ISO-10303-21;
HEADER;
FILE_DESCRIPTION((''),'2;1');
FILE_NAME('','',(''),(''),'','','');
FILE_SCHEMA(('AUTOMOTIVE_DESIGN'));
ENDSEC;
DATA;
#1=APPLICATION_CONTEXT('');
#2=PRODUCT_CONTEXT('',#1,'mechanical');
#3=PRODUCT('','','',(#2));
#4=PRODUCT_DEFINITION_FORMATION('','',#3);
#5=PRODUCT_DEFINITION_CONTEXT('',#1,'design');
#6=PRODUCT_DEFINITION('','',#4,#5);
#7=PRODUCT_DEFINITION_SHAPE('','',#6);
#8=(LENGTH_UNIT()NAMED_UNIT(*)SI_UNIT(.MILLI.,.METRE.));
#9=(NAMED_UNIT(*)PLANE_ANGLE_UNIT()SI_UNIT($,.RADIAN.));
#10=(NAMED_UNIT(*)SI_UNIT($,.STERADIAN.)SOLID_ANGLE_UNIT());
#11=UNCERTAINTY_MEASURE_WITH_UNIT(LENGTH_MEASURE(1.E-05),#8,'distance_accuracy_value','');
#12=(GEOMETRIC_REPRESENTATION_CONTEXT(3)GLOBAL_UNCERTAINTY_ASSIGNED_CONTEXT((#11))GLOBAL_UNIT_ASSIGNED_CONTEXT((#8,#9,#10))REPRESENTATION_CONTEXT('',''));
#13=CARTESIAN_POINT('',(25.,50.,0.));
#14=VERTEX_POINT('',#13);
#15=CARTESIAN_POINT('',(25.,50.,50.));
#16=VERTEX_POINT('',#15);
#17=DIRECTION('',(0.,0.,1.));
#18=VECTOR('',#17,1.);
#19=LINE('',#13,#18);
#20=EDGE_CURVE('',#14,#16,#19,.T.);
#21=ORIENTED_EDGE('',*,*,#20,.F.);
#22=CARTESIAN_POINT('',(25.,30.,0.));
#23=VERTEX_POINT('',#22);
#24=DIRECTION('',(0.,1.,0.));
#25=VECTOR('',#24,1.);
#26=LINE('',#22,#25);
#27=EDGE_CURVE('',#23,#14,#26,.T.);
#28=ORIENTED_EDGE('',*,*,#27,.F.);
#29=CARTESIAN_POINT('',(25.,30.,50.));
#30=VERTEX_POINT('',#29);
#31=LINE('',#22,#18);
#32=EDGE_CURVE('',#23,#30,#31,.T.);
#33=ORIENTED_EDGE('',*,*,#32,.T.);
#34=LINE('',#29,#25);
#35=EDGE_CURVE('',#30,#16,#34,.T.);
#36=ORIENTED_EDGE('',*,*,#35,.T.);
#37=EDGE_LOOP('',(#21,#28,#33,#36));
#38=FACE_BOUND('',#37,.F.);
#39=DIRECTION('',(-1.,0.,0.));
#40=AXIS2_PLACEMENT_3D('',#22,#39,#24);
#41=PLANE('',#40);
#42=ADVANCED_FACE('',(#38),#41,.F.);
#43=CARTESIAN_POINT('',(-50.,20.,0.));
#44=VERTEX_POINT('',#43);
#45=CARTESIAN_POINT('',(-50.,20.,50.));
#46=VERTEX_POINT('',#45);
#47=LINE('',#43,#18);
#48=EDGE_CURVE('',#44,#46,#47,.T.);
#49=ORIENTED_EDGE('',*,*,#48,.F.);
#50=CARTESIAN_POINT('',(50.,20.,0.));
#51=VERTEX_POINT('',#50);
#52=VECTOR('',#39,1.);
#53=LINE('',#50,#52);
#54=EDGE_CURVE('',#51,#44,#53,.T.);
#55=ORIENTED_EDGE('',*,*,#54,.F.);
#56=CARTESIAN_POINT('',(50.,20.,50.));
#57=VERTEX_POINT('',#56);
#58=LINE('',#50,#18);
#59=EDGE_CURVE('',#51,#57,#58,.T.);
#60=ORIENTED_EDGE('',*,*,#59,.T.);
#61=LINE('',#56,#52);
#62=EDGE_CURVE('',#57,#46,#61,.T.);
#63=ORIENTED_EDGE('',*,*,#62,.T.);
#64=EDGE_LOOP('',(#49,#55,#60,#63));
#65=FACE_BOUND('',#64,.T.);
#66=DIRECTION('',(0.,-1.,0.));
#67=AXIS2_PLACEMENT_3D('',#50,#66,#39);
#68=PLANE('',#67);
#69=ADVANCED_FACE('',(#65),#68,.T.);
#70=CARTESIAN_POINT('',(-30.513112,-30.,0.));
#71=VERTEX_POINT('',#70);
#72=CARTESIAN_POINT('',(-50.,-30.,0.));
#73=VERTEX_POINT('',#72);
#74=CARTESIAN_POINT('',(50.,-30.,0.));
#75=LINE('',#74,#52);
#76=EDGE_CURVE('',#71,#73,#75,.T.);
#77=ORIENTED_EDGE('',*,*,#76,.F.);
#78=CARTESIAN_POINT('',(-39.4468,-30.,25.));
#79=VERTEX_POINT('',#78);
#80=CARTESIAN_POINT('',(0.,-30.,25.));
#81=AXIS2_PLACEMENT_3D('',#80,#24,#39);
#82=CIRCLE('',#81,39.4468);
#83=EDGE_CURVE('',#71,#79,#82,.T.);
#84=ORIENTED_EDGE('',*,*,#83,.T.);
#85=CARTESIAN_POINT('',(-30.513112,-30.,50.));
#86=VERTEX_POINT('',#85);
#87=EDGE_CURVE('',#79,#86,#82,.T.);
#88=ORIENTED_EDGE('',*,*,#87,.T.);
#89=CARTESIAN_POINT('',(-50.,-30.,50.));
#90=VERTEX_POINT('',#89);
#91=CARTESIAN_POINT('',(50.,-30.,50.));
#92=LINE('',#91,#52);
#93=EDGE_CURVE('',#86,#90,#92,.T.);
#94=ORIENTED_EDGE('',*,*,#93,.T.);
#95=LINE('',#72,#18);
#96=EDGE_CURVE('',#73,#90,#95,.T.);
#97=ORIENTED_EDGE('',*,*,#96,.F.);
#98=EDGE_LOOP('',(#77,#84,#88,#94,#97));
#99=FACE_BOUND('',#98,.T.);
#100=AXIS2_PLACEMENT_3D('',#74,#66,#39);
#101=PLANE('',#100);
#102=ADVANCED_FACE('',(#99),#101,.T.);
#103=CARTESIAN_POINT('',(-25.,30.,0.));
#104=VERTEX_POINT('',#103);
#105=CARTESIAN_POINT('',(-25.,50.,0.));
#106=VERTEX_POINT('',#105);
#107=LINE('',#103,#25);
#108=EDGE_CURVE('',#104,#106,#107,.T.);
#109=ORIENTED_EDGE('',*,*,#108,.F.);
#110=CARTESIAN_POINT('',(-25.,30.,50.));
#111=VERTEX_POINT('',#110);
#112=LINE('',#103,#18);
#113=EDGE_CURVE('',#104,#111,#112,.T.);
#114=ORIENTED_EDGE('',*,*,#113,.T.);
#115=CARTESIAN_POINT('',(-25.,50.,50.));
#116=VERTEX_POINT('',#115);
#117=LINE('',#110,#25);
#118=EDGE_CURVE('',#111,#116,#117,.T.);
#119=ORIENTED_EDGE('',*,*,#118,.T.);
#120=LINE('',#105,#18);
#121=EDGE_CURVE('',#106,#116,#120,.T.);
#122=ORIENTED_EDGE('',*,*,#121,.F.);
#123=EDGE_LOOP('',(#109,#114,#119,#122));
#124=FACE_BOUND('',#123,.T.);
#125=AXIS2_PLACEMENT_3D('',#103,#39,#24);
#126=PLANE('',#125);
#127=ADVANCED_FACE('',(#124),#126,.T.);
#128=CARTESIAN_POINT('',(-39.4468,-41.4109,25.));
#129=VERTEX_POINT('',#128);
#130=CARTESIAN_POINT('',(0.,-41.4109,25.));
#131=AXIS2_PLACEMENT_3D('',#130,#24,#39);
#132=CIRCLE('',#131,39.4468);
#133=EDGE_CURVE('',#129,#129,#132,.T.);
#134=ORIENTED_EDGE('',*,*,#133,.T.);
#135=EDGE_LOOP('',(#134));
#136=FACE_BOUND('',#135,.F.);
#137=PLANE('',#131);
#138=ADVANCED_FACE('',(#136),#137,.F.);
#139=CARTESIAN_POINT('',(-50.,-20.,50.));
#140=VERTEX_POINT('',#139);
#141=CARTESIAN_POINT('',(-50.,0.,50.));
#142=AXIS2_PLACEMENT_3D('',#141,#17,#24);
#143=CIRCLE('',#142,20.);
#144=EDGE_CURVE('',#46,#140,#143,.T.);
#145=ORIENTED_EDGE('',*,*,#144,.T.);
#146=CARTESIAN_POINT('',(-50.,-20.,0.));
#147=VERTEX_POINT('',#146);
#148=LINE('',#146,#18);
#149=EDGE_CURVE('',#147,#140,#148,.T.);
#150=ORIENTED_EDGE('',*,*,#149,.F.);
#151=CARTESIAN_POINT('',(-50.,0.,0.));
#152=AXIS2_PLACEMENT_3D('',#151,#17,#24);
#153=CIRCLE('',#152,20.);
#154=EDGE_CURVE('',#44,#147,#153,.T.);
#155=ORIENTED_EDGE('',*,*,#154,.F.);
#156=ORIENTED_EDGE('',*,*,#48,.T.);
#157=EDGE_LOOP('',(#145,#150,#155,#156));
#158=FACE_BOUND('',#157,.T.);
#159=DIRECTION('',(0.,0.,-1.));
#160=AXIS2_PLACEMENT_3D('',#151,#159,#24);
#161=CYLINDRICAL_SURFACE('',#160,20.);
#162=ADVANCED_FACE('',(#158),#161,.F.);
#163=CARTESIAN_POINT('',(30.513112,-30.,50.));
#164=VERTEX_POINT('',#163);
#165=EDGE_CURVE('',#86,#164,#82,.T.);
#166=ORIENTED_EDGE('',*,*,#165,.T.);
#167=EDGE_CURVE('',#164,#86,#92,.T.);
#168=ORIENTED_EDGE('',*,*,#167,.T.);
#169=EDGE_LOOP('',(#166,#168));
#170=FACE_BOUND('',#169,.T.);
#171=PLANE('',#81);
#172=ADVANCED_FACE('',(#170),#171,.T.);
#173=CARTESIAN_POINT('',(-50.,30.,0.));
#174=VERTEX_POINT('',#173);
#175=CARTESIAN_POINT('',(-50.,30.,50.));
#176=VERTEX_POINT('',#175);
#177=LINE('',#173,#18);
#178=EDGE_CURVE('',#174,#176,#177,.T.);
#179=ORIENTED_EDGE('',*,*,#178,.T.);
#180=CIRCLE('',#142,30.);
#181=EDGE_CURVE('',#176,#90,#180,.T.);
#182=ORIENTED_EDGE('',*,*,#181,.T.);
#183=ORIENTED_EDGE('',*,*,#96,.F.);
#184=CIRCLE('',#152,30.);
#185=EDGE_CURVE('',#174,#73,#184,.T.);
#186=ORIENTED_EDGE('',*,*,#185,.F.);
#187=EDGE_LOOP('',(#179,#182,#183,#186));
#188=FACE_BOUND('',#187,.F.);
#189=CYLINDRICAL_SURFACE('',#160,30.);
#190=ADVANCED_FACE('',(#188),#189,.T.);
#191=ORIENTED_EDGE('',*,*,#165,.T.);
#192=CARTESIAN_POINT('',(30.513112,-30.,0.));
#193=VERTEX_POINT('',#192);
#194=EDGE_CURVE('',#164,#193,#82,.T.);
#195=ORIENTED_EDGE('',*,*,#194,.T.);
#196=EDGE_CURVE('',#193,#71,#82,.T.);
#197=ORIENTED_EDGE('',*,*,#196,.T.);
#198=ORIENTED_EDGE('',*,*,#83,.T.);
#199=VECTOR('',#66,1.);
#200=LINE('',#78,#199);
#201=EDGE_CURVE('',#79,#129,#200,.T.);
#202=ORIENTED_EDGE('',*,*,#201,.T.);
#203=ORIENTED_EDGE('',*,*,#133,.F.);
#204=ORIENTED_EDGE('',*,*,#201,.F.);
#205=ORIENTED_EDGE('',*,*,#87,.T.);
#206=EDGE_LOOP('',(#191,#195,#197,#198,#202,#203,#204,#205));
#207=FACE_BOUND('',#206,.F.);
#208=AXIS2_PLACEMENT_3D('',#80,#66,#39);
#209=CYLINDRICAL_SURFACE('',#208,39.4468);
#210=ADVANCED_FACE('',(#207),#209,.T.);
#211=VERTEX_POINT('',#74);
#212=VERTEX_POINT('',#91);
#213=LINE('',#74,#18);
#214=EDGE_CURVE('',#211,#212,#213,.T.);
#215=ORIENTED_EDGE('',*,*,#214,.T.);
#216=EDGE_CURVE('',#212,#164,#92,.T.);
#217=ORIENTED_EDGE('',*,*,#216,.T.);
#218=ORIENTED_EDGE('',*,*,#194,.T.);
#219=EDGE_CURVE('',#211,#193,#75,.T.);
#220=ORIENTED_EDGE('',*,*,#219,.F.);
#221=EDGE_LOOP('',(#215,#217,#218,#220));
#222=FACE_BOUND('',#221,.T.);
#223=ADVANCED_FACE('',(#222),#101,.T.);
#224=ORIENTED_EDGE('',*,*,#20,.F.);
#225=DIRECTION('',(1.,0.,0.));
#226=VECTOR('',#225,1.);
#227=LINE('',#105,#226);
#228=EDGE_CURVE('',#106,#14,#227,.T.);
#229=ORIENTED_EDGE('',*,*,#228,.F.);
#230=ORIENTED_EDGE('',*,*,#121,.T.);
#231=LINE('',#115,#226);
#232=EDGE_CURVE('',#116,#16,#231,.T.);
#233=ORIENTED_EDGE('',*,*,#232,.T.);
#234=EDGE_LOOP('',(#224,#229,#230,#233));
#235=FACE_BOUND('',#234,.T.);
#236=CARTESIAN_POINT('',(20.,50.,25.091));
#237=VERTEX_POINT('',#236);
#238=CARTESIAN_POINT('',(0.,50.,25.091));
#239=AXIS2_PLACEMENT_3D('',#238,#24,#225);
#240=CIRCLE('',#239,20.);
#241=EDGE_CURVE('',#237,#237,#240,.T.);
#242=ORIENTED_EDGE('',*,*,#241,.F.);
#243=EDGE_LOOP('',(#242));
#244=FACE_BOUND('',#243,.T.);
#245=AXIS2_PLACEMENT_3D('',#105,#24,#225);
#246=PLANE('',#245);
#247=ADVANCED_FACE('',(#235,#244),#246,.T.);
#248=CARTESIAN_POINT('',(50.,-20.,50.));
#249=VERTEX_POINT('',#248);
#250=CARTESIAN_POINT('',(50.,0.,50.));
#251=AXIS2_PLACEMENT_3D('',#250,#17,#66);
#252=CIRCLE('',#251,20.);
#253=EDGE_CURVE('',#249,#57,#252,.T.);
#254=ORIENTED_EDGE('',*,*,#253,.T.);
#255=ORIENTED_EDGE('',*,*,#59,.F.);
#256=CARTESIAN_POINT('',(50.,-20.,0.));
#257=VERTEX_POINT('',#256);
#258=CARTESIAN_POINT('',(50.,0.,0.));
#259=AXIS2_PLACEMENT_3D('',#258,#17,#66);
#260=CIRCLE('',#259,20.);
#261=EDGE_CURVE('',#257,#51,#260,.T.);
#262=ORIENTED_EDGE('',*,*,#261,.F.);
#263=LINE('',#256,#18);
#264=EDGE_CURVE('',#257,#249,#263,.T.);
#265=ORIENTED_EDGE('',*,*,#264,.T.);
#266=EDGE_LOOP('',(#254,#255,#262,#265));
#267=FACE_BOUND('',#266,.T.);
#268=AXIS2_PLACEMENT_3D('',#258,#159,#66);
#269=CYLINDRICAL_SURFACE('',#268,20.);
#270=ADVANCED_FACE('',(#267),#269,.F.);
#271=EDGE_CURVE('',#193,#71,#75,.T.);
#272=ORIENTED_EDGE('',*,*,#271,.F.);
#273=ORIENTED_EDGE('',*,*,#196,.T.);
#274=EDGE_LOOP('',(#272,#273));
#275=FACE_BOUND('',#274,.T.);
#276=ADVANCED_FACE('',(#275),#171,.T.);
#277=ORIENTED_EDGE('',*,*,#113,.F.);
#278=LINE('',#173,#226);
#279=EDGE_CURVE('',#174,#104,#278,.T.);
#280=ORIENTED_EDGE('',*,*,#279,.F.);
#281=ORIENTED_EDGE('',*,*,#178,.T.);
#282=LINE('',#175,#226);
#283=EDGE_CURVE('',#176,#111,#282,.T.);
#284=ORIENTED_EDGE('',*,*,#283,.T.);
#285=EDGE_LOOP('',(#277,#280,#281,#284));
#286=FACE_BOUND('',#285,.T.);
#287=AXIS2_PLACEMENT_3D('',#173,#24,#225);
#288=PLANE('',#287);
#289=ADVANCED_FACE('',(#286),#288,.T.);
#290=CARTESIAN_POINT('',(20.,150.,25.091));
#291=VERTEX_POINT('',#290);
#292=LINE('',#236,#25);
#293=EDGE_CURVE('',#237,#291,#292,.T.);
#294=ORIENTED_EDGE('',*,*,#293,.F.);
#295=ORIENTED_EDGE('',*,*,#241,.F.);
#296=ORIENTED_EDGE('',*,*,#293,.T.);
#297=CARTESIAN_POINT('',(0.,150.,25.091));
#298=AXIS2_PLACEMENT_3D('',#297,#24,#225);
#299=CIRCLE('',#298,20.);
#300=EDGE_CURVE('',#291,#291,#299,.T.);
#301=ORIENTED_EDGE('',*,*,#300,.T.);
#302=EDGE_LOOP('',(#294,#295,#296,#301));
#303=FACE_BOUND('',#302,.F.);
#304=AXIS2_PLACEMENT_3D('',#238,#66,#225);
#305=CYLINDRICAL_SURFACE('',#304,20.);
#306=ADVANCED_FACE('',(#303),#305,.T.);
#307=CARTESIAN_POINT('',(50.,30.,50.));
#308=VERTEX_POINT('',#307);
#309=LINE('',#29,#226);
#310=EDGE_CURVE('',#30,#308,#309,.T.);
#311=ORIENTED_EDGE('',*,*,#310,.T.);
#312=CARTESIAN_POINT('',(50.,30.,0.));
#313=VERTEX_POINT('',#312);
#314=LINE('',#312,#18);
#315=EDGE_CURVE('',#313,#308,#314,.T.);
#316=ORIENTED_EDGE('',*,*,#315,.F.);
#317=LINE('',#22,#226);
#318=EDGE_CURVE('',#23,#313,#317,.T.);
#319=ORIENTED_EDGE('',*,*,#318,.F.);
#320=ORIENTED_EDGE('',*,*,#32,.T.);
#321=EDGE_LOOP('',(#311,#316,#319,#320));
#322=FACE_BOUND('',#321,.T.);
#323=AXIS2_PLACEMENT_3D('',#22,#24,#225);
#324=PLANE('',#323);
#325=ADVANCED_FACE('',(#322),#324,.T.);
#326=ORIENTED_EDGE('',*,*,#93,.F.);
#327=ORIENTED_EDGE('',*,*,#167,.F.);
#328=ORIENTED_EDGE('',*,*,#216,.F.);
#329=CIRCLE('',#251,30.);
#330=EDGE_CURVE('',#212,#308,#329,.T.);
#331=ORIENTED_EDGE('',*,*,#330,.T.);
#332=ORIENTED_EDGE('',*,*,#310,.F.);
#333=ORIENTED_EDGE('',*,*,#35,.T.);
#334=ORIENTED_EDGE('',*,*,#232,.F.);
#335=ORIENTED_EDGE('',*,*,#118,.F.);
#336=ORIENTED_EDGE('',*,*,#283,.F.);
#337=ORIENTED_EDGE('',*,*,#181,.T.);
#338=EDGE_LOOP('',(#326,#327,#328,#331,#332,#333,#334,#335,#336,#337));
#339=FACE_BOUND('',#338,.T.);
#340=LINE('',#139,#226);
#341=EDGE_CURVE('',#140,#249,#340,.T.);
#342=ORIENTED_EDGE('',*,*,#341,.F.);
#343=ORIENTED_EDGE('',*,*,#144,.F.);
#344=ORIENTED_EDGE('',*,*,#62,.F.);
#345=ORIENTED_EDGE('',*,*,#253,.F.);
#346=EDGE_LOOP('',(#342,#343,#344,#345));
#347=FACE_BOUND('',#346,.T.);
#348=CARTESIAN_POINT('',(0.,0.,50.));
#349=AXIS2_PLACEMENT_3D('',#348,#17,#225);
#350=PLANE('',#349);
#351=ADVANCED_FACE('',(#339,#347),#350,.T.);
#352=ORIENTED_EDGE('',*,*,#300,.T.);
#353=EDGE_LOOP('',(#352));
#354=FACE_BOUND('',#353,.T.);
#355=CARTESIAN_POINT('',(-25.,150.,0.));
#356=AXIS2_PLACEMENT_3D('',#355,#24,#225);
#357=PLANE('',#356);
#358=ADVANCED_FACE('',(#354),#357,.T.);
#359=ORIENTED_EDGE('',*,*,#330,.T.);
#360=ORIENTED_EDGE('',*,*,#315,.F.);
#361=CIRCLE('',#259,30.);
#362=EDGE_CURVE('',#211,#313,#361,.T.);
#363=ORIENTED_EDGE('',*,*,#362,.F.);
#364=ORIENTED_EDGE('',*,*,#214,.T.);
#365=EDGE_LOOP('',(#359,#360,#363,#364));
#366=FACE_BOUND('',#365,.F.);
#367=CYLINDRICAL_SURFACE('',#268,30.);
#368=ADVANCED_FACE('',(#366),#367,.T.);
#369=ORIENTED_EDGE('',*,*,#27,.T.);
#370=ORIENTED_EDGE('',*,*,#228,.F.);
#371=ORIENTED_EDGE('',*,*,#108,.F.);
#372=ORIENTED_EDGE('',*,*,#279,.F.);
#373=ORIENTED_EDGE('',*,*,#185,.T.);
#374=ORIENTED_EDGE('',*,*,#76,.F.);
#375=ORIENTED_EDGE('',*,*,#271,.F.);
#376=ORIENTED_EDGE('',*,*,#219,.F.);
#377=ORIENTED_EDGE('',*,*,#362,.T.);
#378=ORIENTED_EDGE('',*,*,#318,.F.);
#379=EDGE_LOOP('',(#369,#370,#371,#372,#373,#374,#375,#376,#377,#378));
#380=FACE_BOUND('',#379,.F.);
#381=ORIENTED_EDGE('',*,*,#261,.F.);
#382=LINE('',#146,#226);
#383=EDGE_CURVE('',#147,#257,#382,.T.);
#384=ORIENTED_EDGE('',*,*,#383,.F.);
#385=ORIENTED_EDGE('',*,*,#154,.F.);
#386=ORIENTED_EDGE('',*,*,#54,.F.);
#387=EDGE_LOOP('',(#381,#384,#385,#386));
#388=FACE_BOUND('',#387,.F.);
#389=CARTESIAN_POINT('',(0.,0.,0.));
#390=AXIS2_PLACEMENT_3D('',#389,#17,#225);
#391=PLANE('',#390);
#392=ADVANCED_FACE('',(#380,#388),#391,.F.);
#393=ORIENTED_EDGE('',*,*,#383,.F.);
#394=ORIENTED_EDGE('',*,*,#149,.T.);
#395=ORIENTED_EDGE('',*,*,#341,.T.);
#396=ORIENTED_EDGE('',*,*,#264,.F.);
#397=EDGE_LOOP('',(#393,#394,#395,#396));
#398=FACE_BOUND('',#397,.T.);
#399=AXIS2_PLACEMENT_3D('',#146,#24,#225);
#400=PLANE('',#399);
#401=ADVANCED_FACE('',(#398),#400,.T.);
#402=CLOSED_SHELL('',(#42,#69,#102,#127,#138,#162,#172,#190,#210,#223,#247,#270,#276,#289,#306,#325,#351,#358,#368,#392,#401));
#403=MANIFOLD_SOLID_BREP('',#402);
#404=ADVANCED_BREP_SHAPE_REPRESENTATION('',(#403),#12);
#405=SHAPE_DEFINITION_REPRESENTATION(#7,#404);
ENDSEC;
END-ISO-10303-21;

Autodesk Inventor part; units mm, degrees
ref_plane "YZ Plane" through (0, 0, 0) normal (1, 0, 0) x (0, 1, 0)
ref_plane "XZ Plane" through (0, 0, 0) normal (0, 1, 0) x (-1, 0, 0)
ref_plane "XY Plane" through (0, 0, 0) normal (0, 0, 1) x (1, 0, 0)
sketch "스케치1" plane through (0, 0, 0) normal (0, 0, 1) x (1, 0, 0)
  line L0 (-50, -20) -> (50, -20)
  line L1 (50, 20) -> (-50, 20)
  line L2 (-50, -20) -> (50, 20) construction
  line L3 (50, -20) -> (-50, 20) construction
  arc A0 (-50, 20) -> (-50, -20) centre (-50, 0) ccw
  arc A1 (50, -20) -> (50, 20) centre (50, 0) ccw
  arc A2 (50, -30) -> (50, 30) centre (50, 0) ccw
  line L4 (50, -30) -> (-50, -30)
  arc A3 (-50, 30) -> (-50, -30) centre (-50, 0) ccw
  line L5 (25, 30) -> (25, 50)
  line L6 (-25, 30) -> (-25, 50)
  line L7 (-50, 30) -> (-25, 30)
  line L8 (25, 30) -> (50, 30)
  line L9 (-25, 50) -> (25, 50)
  point P0 (0, 0)
  point P1 (0, 0)
  dimension "d13" = 20
  dimension "d14" = 10
extrude "돌출1" add sketch "스케치1" along normal blind 50
sketch "스케치2" plane through (-25, 50, 0) normal (0, 1, 0) x (1, 0, 0)
  point P0 (25, 0)
ref_plane "작업 평면1" through (0, 0, 25) normal (0, 0, -1) x (-1, 0, 0)
sketch "스케치3" plane through (-25, 50, 0) normal (0, 1, 0) x (1, 0, 0)
  circle A0 centre (25, -25.091) radius 20
  point P0 (25, 0)
  dimension "d17" = 40
extrude "돌출2" add sketch "스케치3" along normal blind 100
sketch "스케치4" plane through (0, 0, 25) normal (0, 0, -1) x (-1, 0, 0)
  line L0 (50, -30) -> (-50, -30) projected
  line L1 (0, -30) -> (39.4468, -30)
  line L2 (39.4468, -30) -> (39.4468, -41.4109)
  line L3 (39.4468, -41.4109) -> (0, -41.4109)
  line L4 (0, -41.4109) -> (0, -30)
  point P0 (0, 0)
revolve "회전1" add sketch "스케치4" angle 360 about axis through (0, -41.4109, 25) along (0, 1, 0)
properties part number "부품1" material "은"
